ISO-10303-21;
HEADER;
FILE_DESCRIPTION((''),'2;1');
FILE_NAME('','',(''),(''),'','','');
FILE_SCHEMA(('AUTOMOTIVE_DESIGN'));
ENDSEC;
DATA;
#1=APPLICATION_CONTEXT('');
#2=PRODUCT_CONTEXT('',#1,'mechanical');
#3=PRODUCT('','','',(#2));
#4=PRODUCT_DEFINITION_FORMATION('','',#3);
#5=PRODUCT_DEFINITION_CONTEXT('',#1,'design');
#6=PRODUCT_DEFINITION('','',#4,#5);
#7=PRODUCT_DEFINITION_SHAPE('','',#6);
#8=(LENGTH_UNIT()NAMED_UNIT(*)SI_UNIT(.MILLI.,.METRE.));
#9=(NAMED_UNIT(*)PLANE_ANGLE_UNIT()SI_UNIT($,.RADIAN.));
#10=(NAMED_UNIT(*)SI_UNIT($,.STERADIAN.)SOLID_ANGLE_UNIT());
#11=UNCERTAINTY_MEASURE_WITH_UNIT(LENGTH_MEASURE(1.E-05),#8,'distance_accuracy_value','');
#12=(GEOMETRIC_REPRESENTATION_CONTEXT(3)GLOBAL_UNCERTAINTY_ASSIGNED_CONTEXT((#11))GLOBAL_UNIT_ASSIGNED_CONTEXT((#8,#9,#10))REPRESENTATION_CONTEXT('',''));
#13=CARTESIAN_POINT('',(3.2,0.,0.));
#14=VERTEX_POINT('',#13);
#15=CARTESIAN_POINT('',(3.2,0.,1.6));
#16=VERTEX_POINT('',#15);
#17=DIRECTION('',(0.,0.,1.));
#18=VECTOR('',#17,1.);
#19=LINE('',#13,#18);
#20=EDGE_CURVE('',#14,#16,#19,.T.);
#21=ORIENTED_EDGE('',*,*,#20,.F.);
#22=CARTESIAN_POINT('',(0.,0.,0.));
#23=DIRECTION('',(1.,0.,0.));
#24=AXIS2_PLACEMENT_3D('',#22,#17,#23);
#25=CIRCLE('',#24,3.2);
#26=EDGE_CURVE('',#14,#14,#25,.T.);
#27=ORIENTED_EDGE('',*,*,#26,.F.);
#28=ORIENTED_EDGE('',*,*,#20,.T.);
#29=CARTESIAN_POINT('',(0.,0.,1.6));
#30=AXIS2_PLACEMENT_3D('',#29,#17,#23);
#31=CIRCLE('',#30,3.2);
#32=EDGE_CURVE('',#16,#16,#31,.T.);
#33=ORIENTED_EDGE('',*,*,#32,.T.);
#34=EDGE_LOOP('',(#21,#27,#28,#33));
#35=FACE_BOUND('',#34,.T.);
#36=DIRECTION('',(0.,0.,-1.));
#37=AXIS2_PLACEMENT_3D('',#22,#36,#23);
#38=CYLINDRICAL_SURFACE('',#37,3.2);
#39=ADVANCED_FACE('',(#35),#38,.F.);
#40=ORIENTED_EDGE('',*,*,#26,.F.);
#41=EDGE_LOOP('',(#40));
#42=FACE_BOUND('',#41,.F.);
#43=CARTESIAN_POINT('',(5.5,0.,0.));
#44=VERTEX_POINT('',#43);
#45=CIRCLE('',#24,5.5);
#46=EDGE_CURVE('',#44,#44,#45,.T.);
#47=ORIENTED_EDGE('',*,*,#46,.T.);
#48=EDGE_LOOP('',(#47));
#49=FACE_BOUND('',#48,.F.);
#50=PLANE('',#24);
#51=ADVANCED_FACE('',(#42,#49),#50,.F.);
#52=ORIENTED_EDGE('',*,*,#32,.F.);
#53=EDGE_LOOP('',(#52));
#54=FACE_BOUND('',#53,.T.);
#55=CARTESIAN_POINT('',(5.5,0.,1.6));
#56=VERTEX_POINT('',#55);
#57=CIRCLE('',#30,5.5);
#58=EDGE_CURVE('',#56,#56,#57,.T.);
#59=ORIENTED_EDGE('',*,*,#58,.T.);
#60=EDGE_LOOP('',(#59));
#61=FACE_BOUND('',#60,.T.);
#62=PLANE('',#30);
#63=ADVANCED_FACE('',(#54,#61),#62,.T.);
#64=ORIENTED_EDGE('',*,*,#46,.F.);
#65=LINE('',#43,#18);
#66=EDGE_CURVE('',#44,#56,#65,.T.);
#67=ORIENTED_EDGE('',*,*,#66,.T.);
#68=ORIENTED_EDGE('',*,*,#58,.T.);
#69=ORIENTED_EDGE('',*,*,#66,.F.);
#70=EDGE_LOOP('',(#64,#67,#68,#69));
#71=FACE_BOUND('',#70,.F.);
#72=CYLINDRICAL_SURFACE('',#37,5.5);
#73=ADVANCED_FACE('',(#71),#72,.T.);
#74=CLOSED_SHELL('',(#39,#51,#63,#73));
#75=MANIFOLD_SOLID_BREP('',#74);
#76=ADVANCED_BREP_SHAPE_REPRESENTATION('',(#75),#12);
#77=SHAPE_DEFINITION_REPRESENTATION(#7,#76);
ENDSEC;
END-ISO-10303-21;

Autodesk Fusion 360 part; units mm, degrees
sketch "Sketch1" plane through (0, 0, 0) normal (0, 0, 1) x (1, 0, 0)
  circle A0 centre (0, 0) radius 5.5
  circle A1 centre (0, 0) radius 3.2
  dimension "d4" = 11
  dimension "d5" = 6.4
extrude "Extrude1" add sketch "Sketch1" along normal blind 1.6
equation "adsk_woutdia = 11.00 mm"
equation "adsk_windia = 6.40 mm"
equation "adsk_wthick = 1.60 mm"
equation "d4 = adsk_woutdia"
equation "d5 = adsk_windia"
equation "d6 = adsk_wthick"
equation "d30 = adsk_wthick"
properties part number "DIN 433 - 6.4 Steel 100 HV Plain"
